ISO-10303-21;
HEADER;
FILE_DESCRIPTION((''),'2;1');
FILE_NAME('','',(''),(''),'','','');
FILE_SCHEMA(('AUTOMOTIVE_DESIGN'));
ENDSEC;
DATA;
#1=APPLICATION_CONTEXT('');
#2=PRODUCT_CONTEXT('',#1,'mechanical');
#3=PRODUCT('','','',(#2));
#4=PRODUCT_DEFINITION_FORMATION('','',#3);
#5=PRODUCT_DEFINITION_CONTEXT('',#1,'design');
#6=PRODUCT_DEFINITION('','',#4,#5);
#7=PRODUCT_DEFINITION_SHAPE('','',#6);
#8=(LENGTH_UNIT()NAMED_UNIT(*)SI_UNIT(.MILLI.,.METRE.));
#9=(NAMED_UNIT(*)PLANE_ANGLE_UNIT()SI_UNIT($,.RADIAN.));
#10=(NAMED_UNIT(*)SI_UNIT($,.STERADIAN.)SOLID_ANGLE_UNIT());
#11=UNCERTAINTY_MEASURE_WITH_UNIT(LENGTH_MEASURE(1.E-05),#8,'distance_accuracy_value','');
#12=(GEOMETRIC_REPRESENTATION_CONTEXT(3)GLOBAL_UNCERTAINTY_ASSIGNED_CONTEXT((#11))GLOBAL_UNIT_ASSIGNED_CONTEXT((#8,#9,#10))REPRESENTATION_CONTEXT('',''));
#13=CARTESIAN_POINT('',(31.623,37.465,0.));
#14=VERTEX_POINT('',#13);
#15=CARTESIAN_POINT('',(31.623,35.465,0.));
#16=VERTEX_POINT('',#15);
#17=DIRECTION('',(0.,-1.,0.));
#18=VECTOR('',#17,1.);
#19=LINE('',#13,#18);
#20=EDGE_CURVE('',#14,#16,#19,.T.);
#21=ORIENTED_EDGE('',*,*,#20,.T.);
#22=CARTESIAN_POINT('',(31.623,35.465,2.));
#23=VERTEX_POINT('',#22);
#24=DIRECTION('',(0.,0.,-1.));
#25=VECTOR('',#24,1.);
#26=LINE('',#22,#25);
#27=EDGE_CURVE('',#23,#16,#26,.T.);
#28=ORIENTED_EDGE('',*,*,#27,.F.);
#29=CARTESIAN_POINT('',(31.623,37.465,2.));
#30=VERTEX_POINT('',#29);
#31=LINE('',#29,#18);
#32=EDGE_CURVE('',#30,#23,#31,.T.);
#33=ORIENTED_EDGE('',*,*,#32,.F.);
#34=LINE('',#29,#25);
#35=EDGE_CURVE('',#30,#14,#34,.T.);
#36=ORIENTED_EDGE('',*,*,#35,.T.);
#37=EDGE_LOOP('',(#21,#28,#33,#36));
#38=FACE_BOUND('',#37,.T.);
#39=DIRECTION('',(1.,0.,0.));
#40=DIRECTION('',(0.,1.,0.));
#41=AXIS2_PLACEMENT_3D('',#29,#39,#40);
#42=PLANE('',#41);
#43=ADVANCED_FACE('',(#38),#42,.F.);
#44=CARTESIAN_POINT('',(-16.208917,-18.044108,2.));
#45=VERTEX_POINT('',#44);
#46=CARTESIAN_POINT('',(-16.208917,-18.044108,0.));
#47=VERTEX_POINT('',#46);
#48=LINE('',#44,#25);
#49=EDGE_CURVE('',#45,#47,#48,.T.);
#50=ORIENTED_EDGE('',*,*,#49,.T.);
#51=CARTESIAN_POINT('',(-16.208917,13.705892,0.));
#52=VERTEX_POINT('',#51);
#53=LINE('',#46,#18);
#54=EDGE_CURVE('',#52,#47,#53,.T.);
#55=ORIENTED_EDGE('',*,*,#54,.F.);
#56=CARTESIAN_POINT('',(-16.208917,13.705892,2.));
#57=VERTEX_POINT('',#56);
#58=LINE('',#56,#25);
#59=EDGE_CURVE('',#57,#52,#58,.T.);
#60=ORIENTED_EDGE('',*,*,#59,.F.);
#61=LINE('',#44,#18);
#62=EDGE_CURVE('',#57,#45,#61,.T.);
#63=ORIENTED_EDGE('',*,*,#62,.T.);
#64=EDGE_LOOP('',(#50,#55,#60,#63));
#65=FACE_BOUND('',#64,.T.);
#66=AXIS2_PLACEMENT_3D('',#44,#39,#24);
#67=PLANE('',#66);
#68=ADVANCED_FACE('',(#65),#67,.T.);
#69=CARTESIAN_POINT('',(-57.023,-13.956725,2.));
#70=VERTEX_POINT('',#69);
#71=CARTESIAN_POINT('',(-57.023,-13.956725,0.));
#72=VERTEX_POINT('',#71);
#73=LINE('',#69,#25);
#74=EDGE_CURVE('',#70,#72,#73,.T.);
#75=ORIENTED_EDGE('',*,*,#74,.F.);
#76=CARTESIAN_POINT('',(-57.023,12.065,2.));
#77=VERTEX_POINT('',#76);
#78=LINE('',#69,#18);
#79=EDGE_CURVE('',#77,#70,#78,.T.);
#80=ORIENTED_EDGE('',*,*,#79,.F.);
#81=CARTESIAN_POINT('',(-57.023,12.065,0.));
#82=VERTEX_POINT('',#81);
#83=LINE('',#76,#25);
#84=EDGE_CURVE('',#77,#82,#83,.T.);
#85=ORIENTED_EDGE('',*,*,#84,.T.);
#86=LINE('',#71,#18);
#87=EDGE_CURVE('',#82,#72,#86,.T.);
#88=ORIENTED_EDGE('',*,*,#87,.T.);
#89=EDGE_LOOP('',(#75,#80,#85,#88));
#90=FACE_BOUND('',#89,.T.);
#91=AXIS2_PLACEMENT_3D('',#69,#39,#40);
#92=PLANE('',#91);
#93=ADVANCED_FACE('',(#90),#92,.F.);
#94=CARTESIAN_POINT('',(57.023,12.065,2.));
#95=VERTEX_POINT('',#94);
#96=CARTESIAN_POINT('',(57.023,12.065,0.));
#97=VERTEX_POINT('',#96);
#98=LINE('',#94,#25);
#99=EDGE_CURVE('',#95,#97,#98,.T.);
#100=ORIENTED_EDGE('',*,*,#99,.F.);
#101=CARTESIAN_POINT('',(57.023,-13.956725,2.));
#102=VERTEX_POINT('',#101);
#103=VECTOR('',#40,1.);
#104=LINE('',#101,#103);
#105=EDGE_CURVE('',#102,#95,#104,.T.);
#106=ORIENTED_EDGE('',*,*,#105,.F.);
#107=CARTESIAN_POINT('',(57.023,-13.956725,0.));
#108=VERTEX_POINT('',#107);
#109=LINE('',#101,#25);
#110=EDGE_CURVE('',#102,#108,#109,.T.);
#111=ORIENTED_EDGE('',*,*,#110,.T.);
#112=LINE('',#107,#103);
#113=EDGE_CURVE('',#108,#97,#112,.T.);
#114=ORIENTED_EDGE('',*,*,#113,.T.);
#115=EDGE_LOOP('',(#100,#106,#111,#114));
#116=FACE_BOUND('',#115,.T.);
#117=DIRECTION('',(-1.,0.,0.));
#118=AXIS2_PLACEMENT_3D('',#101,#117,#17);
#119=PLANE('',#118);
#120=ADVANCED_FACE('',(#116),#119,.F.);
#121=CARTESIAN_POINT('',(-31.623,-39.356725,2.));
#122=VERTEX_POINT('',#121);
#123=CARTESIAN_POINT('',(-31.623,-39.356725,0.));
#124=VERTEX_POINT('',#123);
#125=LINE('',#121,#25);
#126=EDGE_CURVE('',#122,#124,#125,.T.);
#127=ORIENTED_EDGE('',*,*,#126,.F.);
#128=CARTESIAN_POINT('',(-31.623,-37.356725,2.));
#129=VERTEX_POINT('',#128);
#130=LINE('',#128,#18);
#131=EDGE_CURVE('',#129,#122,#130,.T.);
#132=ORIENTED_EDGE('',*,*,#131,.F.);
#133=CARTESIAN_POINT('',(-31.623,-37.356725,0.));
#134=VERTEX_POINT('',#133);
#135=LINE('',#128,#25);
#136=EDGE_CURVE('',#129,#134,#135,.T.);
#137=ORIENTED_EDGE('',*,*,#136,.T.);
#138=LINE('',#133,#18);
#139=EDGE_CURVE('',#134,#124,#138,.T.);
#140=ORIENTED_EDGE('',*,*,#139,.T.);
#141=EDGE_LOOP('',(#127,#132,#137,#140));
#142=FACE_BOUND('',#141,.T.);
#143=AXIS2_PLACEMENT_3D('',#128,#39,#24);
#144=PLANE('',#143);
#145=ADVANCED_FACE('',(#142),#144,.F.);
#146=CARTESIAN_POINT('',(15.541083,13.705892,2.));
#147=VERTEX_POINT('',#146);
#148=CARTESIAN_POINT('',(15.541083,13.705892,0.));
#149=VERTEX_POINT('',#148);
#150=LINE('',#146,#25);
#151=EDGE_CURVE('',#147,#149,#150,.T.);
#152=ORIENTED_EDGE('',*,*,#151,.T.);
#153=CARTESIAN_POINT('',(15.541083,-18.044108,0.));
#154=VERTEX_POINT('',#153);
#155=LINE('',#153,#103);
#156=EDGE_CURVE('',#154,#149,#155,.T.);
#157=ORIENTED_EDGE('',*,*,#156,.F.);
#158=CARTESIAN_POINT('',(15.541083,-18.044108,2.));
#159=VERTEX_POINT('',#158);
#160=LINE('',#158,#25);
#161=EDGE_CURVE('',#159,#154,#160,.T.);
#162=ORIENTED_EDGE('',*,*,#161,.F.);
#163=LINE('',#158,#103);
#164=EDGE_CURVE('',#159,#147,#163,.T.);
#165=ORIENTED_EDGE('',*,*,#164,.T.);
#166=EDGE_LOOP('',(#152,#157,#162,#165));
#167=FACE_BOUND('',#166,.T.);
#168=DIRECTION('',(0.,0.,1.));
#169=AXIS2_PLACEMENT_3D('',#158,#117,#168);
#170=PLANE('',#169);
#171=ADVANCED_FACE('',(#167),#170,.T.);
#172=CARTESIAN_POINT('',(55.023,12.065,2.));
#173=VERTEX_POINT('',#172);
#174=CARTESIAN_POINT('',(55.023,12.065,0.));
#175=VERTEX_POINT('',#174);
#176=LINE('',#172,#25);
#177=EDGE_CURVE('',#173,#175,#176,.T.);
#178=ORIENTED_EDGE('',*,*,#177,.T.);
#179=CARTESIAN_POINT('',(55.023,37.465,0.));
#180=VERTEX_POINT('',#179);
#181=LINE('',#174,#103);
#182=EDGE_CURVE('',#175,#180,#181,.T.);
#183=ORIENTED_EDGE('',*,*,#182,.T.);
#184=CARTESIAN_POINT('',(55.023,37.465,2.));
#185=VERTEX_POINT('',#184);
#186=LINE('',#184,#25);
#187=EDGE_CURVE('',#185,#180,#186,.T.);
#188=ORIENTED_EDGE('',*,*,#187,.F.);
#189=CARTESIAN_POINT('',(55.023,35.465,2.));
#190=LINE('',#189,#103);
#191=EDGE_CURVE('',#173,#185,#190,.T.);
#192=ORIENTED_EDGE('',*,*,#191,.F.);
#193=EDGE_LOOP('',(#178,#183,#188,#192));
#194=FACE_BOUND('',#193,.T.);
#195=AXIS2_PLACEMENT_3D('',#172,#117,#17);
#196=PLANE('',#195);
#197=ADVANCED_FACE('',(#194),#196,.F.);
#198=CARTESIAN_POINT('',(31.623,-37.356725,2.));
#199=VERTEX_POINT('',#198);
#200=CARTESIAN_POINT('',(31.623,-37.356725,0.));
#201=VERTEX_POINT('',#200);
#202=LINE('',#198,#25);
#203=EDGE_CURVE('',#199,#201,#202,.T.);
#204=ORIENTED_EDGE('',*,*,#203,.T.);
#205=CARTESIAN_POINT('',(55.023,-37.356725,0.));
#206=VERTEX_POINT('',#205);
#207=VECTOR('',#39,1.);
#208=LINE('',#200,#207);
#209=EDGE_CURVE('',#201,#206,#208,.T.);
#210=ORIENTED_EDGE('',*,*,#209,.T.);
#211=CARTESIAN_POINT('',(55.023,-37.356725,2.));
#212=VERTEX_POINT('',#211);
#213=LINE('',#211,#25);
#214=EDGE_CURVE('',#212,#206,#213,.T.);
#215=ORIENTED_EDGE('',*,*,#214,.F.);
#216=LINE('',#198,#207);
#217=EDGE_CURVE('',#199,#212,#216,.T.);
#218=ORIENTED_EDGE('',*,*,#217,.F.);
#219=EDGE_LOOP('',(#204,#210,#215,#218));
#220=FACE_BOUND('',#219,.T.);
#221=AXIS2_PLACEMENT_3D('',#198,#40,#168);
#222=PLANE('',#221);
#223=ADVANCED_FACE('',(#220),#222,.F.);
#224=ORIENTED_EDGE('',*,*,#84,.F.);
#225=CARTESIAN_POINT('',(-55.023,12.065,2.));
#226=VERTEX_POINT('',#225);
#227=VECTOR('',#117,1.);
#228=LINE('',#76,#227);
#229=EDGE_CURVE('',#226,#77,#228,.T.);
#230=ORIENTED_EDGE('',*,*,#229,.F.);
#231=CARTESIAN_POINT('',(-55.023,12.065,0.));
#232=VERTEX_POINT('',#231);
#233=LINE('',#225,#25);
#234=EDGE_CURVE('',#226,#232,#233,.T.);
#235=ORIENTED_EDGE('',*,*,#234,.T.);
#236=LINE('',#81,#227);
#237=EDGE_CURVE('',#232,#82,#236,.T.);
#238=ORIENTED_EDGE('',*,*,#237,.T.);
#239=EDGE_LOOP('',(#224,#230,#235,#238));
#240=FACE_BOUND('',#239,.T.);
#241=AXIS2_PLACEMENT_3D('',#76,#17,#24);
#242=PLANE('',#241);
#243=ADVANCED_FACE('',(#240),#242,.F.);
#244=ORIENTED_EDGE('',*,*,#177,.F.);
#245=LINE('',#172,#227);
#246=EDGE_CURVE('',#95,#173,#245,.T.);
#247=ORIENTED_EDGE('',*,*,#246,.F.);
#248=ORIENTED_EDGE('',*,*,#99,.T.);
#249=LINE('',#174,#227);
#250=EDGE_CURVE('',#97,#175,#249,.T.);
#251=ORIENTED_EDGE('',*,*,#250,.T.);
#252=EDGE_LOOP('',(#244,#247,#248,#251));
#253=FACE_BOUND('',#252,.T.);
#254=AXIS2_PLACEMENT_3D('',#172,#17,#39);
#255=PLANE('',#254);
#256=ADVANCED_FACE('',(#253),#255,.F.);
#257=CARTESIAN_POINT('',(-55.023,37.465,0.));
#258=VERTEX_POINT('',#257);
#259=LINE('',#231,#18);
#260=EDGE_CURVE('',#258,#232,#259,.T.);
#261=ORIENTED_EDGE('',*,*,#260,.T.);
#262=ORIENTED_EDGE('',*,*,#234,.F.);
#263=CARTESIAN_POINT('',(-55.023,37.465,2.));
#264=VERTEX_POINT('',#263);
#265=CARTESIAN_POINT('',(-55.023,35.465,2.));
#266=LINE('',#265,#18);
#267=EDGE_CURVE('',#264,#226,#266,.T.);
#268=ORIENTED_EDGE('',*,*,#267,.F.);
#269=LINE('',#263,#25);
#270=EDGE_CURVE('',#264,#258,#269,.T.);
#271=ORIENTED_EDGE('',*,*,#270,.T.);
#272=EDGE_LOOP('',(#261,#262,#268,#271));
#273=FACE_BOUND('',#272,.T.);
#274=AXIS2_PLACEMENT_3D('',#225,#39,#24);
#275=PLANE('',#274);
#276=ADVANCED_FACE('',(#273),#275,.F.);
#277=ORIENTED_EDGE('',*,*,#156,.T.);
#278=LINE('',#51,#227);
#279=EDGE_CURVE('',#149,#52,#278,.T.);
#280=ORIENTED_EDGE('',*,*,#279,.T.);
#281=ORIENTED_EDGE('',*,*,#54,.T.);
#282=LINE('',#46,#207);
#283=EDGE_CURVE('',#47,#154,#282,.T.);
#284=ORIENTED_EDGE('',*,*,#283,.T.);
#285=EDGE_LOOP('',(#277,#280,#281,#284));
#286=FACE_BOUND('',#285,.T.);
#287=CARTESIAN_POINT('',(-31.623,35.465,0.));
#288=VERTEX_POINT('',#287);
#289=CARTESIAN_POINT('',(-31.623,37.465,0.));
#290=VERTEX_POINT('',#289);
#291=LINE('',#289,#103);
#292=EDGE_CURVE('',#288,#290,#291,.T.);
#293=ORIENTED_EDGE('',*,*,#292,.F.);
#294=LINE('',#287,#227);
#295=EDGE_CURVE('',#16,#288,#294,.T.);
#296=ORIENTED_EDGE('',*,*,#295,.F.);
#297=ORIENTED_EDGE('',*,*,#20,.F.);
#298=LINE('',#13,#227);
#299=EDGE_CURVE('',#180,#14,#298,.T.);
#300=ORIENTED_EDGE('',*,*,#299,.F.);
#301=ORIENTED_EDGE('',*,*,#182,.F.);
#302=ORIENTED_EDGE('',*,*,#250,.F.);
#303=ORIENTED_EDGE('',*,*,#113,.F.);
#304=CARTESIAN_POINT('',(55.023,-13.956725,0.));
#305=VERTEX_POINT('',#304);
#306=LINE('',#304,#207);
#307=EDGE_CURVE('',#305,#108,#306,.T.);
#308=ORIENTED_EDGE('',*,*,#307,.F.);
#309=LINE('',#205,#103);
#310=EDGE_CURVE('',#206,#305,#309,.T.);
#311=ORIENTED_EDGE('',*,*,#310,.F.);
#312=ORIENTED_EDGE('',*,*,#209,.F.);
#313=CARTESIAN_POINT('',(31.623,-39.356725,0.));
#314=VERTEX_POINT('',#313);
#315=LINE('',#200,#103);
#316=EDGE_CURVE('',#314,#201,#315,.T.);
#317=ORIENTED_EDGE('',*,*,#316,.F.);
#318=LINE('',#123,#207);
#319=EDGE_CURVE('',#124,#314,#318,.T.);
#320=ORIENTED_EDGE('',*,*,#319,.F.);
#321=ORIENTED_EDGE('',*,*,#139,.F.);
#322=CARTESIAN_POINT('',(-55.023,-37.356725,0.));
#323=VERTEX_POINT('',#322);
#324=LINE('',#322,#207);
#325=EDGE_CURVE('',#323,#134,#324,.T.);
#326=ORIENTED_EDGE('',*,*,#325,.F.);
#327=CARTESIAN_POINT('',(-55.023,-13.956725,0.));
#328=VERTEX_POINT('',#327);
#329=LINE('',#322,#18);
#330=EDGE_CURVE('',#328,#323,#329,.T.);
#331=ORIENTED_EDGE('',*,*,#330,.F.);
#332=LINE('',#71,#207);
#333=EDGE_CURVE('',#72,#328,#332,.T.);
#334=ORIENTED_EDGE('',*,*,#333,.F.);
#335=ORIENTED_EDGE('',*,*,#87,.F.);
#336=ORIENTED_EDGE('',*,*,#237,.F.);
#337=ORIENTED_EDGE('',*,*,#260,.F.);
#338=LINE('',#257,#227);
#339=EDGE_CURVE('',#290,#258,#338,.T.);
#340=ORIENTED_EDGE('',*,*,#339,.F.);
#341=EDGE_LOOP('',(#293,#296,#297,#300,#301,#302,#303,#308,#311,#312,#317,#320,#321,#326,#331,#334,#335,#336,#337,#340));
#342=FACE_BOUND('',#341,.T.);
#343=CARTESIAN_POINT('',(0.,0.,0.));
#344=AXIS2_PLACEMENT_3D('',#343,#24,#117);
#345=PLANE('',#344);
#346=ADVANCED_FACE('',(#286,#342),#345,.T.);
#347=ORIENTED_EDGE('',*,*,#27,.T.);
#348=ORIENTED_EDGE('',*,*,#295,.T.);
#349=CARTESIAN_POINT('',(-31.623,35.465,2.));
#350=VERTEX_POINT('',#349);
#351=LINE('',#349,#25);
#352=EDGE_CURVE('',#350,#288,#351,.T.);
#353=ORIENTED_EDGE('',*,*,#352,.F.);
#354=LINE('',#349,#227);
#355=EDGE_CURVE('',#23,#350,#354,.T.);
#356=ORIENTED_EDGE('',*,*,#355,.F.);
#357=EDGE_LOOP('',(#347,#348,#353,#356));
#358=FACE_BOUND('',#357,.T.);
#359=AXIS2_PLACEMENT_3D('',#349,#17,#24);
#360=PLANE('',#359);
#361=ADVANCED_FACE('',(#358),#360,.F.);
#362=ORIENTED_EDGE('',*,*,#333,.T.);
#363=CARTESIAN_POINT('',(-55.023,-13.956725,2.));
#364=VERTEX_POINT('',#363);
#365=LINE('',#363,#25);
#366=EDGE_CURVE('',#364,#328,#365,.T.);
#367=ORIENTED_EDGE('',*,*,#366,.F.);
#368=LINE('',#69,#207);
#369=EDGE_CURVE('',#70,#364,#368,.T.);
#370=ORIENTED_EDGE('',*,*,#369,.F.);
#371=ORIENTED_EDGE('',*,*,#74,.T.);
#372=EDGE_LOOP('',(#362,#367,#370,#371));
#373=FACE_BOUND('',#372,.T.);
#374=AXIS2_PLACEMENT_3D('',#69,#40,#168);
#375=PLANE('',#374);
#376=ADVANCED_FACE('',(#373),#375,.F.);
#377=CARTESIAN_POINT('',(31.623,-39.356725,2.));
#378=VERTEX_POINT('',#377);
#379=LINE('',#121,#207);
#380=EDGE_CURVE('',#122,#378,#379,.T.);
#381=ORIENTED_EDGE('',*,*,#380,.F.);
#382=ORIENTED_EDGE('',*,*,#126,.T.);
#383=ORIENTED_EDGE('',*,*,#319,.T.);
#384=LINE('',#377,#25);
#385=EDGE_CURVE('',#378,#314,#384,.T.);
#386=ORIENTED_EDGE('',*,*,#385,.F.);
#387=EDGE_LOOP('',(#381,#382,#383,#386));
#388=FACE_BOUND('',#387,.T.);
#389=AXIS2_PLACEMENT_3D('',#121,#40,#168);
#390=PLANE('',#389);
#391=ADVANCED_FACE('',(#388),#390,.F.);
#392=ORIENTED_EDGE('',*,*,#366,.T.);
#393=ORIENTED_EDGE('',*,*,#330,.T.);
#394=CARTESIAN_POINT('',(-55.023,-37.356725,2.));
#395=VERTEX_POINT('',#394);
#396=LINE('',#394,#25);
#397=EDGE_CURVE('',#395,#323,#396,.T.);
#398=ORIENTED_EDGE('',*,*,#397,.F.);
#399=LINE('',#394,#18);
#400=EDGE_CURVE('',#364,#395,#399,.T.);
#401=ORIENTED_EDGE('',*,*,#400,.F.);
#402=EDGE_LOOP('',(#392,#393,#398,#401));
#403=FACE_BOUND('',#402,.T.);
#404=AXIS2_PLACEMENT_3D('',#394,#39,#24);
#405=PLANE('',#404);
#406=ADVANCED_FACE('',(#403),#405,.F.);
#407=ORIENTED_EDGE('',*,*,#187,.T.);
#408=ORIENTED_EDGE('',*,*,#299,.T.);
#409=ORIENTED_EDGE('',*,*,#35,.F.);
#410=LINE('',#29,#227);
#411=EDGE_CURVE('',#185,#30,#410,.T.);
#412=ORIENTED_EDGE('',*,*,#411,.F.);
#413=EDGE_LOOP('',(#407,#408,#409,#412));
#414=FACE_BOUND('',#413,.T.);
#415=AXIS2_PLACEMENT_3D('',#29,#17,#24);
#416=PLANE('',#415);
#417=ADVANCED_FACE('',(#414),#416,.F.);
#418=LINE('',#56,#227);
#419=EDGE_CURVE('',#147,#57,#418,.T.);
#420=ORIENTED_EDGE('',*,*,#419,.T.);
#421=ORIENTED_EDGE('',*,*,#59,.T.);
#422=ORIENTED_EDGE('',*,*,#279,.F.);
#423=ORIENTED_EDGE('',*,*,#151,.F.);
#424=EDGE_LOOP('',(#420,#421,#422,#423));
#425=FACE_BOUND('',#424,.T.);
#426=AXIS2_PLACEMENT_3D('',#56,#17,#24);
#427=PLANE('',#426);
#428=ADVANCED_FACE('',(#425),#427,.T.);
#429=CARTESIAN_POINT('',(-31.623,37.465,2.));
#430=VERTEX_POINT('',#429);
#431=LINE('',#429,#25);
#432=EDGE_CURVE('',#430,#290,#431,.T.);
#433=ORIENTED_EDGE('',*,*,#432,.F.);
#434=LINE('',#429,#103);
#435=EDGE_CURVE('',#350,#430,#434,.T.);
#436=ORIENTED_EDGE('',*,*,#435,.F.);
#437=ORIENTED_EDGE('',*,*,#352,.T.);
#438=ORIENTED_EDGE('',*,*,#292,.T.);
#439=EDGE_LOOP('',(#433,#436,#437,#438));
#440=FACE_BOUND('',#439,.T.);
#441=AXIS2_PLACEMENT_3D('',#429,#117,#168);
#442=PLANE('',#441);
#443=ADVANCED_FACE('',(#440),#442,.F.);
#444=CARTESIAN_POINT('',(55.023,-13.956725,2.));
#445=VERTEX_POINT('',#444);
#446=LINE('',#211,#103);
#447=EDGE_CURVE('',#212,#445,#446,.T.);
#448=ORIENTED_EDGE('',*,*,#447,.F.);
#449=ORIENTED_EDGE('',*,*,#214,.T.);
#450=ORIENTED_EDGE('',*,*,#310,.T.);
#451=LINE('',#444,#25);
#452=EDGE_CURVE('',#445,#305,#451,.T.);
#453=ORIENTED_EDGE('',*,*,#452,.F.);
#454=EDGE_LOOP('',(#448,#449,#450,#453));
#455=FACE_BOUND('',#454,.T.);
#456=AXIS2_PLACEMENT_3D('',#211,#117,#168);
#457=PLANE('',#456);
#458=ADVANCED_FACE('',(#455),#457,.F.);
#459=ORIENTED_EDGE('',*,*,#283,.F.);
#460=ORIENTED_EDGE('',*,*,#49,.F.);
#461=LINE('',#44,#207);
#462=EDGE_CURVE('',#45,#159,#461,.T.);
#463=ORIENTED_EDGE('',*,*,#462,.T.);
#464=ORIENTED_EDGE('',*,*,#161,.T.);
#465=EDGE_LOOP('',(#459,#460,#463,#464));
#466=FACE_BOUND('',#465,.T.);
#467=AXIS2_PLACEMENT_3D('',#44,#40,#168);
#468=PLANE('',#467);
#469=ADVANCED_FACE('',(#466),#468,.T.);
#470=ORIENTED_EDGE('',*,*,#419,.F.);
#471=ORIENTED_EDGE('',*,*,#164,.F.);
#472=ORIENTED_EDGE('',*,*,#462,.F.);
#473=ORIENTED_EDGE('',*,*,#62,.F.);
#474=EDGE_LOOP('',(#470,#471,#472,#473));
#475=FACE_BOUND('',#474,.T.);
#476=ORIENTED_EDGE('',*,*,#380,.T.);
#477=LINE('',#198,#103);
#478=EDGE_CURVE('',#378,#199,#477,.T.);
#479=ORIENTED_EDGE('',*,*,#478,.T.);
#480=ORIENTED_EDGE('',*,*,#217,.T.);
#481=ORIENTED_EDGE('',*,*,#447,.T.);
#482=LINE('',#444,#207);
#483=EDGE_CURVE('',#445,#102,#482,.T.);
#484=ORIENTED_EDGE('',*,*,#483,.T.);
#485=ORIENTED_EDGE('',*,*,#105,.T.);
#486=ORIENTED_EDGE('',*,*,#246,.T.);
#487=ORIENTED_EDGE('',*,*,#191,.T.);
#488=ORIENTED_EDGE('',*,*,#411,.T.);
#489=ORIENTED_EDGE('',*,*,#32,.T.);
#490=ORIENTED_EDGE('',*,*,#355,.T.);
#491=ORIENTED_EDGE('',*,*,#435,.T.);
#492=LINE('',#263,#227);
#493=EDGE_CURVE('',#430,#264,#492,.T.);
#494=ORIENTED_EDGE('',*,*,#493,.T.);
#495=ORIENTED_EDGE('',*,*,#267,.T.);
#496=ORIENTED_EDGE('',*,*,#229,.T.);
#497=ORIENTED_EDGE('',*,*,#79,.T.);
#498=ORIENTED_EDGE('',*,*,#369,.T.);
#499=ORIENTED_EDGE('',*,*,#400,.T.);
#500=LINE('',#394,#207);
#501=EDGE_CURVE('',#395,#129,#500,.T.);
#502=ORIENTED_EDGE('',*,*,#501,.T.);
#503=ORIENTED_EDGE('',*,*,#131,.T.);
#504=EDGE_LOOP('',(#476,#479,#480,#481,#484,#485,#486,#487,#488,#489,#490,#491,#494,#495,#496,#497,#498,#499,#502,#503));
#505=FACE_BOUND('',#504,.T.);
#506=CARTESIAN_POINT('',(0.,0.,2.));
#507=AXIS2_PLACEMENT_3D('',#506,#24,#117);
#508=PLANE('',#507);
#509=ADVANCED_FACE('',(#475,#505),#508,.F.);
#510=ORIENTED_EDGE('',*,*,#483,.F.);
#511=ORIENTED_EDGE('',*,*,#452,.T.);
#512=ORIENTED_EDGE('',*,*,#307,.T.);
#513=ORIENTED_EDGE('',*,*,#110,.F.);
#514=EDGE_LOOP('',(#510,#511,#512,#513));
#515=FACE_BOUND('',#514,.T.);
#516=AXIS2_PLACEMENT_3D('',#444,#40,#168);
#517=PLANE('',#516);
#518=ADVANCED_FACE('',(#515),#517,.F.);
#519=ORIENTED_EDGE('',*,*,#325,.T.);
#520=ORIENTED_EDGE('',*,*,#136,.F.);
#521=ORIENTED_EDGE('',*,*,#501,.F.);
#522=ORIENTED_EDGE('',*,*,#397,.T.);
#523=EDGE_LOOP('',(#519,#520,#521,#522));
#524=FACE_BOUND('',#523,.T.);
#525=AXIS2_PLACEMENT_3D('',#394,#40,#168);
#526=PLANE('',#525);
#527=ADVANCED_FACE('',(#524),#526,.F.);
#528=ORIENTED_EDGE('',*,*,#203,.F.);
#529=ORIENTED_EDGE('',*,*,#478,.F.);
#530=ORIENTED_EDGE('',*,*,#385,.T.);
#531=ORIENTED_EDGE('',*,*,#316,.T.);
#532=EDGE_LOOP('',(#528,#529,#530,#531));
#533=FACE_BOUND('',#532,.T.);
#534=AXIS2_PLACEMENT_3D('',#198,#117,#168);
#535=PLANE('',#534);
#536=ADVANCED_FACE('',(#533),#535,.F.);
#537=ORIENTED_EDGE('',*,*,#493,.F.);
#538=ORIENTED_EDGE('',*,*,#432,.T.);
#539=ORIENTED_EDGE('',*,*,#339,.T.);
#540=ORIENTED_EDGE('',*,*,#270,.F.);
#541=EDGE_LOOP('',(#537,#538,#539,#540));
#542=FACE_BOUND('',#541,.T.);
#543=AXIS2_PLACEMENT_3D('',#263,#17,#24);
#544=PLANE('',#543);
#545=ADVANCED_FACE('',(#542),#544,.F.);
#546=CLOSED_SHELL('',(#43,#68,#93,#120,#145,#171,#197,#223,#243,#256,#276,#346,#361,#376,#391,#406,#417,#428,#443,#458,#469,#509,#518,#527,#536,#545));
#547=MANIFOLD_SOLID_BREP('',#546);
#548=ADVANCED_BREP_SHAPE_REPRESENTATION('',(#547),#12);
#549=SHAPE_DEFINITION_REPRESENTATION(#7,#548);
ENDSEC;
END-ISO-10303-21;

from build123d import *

# Parameters (mm, degrees)
SKETCH1_W           = 31.75
SKETCH1_H           = 31.75
BOSS_EXTRUDE1_DEPTH = 2


with BuildPart() as part:
    # Sketch1 → Boss-Extrude1 (new body)
    with BuildSketch(Plane.XY):
        Polygon((-31.623, -39.356725313), (31.623, -39.356725313), (31.623, -37.356725313), (55.023, -37.356725313), (55.023, -13.956725313), (57.023, -13.956725313), (57.023, 12.065), (55.023, 12.065), (55.023, 35.465), (55.023, 37.465), (31.623, 37.465), (31.623, 35.465), (-31.623, 35.465), (-31.623, 37.465), (-55.023, 37.465), (-55.023, 35.465), (-55.023, 12.065), (-57.023, 12.065), (-57.023, -13.956725313), (-55.023, -13.956725313), (-55.023, -37.356725313), (-31.623, -37.356725313), align=None)
        with Locations((-0.333916733, -2.169108116)):
            Rectangle(SKETCH1_W, SKETCH1_H, mode=Mode.SUBTRACT)
    extrude(amount=BOSS_EXTRUDE1_DEPTH)


solid = part.part
